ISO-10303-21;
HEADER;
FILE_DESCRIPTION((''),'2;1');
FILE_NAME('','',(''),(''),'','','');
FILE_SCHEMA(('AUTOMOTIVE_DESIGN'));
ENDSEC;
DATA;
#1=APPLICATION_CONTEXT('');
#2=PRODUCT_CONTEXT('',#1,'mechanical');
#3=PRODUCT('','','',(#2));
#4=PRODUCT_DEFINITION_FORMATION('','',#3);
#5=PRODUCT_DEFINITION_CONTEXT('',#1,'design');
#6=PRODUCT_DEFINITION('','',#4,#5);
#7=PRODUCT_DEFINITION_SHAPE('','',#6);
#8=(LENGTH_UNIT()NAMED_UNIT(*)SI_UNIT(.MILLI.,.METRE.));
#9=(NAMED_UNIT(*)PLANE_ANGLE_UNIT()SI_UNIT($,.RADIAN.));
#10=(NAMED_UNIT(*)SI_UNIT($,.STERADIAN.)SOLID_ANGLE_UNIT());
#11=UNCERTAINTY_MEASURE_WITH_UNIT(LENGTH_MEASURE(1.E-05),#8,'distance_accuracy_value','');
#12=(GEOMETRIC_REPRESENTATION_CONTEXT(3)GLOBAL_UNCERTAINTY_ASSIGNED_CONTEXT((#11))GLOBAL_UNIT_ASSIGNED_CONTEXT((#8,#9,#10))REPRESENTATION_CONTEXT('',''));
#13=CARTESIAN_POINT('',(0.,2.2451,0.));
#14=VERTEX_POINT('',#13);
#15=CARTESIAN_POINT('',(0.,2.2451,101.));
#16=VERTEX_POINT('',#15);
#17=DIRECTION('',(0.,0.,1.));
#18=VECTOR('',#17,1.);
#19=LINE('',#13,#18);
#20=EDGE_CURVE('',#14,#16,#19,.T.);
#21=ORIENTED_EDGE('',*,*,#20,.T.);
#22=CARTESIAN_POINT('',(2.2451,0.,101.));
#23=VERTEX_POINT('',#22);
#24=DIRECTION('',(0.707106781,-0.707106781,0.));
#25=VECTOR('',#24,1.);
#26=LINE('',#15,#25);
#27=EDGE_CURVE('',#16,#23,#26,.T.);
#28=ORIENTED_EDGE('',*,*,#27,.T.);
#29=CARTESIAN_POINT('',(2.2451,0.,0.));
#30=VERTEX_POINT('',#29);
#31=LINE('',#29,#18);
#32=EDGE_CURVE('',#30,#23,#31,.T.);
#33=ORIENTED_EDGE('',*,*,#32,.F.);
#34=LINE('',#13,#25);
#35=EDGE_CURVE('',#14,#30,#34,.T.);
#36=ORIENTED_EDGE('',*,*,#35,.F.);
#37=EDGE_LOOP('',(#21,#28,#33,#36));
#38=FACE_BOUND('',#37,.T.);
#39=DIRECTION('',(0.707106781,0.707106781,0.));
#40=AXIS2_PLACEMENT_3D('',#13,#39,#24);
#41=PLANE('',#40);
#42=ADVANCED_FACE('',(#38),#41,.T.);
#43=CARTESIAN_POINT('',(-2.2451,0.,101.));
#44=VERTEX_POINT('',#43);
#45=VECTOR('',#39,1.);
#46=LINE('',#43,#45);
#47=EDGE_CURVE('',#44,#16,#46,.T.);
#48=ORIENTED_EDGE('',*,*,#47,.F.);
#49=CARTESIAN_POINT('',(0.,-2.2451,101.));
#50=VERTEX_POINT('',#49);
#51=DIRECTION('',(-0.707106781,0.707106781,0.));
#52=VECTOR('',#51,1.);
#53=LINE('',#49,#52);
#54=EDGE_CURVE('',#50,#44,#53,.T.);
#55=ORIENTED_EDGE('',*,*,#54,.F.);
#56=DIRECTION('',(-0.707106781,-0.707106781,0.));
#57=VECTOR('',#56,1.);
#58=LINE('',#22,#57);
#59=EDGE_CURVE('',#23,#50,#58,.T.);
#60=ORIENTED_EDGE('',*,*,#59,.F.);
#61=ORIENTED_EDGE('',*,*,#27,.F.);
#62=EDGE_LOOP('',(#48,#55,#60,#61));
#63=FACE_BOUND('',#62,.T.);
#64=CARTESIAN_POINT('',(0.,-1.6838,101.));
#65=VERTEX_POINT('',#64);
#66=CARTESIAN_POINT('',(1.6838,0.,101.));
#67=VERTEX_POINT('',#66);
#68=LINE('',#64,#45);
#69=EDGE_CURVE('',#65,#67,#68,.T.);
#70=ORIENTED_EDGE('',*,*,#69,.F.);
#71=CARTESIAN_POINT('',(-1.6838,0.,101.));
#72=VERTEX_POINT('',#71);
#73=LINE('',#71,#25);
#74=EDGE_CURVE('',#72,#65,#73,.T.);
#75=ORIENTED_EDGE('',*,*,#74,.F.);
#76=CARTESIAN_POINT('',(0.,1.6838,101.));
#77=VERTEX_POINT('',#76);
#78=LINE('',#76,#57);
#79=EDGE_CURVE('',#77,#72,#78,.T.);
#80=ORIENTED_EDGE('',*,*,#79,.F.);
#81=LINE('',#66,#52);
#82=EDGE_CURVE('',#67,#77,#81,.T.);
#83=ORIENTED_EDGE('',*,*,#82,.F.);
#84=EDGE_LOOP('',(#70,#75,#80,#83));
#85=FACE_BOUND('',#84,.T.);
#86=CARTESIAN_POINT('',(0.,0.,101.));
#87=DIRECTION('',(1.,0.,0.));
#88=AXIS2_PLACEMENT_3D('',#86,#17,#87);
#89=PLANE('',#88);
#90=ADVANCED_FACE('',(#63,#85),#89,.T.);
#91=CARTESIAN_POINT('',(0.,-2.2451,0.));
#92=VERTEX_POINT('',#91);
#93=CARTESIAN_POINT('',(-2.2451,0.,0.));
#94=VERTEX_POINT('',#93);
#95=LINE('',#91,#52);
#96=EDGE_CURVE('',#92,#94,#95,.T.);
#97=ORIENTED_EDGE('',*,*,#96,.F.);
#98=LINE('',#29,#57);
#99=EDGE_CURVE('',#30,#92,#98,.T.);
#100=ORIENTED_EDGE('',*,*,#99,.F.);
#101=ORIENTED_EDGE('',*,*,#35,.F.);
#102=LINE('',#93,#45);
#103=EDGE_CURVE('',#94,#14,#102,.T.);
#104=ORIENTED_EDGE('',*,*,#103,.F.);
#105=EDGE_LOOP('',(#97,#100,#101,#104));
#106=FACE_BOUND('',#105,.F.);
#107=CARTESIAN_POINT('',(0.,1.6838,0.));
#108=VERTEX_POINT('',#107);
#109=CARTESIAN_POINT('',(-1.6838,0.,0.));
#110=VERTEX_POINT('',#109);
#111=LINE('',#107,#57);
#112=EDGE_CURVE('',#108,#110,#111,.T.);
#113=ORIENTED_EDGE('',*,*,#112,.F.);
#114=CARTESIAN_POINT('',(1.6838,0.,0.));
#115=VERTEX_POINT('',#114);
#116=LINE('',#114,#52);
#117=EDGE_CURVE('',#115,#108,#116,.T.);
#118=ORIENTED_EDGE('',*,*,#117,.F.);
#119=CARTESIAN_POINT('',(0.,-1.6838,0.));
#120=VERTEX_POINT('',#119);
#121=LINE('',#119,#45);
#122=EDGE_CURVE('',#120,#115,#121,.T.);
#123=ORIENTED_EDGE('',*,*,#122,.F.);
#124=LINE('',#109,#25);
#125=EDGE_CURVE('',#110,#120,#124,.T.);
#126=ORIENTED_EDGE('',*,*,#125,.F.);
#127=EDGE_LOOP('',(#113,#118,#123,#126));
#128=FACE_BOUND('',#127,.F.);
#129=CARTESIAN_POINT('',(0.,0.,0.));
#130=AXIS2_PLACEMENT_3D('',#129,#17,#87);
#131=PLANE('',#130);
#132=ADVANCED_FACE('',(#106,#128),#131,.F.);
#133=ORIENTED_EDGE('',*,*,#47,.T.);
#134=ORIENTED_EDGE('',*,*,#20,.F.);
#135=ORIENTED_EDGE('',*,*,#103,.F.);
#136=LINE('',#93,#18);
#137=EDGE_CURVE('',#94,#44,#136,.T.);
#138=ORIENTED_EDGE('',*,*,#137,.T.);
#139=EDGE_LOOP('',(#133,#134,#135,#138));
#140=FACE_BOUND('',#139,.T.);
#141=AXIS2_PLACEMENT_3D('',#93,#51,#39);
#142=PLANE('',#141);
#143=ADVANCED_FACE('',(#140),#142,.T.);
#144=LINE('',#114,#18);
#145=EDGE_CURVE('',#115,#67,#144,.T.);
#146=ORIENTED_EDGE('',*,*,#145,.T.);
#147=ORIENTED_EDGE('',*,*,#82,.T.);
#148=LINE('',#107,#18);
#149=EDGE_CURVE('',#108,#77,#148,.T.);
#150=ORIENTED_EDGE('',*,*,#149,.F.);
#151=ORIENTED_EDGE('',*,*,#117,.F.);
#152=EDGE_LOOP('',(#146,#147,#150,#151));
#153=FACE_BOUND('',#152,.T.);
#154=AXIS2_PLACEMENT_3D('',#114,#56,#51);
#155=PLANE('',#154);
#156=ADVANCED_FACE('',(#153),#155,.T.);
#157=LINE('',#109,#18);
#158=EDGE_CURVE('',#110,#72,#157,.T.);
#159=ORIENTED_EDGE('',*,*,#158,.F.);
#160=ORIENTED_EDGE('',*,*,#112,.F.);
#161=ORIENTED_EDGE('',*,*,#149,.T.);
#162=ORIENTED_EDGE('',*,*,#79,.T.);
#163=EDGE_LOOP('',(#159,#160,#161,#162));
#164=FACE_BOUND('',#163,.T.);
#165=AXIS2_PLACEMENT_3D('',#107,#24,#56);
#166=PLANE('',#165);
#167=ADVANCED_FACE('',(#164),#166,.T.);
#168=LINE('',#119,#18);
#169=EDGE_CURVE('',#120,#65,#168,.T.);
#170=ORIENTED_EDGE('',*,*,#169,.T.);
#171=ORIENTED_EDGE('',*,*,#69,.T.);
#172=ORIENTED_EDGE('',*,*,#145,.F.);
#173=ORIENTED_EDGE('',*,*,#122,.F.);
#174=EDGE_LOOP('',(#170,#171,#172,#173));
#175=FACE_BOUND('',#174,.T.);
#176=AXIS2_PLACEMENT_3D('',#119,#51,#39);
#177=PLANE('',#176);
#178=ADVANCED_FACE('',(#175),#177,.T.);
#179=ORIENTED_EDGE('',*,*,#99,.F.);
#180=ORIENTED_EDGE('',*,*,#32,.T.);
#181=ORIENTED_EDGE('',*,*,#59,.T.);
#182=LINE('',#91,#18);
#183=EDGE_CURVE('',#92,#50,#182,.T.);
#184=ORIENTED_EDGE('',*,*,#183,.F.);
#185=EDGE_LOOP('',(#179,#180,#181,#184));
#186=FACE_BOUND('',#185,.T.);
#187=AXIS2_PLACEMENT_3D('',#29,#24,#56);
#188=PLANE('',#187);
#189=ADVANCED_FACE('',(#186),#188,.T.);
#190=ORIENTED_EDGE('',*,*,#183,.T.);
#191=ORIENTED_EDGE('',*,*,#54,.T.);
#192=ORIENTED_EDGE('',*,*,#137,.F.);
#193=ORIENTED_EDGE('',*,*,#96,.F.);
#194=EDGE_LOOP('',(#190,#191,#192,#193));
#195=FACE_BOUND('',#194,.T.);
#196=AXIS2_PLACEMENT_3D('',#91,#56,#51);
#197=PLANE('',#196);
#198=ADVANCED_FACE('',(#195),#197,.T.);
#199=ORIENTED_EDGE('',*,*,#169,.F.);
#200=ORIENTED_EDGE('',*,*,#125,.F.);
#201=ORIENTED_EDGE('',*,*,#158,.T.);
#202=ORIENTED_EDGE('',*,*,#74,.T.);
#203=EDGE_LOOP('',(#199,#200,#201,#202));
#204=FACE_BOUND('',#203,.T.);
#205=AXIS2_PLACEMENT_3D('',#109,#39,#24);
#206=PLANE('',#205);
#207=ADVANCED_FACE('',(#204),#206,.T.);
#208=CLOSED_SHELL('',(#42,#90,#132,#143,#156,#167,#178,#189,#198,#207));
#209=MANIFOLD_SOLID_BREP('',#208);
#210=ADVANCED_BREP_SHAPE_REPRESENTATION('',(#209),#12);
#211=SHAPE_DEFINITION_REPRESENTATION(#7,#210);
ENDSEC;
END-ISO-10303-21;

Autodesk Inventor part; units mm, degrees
ref_plane "YZ Plane" through (0, 0, 0) normal (1, 0, 0) x (0, 1, 0)
ref_plane "XZ Plane" through (0, 0, 0) normal (0, 1, 0) x (-1, 0, 0)
ref_plane "XY Plane" through (0, 0, 0) normal (0, 0, 1) x (1, 0, 0)
sketch "Sketch1" plane through (0, 0, 0) normal (0, 0, 1) x (1, 0, 0)
  line L0 (-2.2451, 0) -> (0, 2.2451)
  line L1 (0, 2.2451) -> (2.2451, 0)
  line L2 (2.2451, 0) -> (0, -2.2451)
  line L3 (0, -2.2451) -> (-2.2451, 0)
  line L4 (-2.2451, 0) -> (2.2451, 0) construction
  line L5 (0, 2.2451) -> (0, -2.2451) construction
  line L6 (1.6838, 0) -> (0, 1.6838)
  line L7 (0, 1.6838) -> (-1.6838, 0)
  line L8 (-1.6838, 0) -> (0, -1.6838)
  line L9 (0, -1.6838) -> (1.6838, 0)
  point P0 (0, 0)
  point P1 (0, 0)
  dimension "d4" = 3.175
  dimension "d5" = 0.3969
extrude "Extrusion2" add sketch "Sketch1" along normal blind 101
properties part number "Rack Rail v3" material "Aluminum 6061"
